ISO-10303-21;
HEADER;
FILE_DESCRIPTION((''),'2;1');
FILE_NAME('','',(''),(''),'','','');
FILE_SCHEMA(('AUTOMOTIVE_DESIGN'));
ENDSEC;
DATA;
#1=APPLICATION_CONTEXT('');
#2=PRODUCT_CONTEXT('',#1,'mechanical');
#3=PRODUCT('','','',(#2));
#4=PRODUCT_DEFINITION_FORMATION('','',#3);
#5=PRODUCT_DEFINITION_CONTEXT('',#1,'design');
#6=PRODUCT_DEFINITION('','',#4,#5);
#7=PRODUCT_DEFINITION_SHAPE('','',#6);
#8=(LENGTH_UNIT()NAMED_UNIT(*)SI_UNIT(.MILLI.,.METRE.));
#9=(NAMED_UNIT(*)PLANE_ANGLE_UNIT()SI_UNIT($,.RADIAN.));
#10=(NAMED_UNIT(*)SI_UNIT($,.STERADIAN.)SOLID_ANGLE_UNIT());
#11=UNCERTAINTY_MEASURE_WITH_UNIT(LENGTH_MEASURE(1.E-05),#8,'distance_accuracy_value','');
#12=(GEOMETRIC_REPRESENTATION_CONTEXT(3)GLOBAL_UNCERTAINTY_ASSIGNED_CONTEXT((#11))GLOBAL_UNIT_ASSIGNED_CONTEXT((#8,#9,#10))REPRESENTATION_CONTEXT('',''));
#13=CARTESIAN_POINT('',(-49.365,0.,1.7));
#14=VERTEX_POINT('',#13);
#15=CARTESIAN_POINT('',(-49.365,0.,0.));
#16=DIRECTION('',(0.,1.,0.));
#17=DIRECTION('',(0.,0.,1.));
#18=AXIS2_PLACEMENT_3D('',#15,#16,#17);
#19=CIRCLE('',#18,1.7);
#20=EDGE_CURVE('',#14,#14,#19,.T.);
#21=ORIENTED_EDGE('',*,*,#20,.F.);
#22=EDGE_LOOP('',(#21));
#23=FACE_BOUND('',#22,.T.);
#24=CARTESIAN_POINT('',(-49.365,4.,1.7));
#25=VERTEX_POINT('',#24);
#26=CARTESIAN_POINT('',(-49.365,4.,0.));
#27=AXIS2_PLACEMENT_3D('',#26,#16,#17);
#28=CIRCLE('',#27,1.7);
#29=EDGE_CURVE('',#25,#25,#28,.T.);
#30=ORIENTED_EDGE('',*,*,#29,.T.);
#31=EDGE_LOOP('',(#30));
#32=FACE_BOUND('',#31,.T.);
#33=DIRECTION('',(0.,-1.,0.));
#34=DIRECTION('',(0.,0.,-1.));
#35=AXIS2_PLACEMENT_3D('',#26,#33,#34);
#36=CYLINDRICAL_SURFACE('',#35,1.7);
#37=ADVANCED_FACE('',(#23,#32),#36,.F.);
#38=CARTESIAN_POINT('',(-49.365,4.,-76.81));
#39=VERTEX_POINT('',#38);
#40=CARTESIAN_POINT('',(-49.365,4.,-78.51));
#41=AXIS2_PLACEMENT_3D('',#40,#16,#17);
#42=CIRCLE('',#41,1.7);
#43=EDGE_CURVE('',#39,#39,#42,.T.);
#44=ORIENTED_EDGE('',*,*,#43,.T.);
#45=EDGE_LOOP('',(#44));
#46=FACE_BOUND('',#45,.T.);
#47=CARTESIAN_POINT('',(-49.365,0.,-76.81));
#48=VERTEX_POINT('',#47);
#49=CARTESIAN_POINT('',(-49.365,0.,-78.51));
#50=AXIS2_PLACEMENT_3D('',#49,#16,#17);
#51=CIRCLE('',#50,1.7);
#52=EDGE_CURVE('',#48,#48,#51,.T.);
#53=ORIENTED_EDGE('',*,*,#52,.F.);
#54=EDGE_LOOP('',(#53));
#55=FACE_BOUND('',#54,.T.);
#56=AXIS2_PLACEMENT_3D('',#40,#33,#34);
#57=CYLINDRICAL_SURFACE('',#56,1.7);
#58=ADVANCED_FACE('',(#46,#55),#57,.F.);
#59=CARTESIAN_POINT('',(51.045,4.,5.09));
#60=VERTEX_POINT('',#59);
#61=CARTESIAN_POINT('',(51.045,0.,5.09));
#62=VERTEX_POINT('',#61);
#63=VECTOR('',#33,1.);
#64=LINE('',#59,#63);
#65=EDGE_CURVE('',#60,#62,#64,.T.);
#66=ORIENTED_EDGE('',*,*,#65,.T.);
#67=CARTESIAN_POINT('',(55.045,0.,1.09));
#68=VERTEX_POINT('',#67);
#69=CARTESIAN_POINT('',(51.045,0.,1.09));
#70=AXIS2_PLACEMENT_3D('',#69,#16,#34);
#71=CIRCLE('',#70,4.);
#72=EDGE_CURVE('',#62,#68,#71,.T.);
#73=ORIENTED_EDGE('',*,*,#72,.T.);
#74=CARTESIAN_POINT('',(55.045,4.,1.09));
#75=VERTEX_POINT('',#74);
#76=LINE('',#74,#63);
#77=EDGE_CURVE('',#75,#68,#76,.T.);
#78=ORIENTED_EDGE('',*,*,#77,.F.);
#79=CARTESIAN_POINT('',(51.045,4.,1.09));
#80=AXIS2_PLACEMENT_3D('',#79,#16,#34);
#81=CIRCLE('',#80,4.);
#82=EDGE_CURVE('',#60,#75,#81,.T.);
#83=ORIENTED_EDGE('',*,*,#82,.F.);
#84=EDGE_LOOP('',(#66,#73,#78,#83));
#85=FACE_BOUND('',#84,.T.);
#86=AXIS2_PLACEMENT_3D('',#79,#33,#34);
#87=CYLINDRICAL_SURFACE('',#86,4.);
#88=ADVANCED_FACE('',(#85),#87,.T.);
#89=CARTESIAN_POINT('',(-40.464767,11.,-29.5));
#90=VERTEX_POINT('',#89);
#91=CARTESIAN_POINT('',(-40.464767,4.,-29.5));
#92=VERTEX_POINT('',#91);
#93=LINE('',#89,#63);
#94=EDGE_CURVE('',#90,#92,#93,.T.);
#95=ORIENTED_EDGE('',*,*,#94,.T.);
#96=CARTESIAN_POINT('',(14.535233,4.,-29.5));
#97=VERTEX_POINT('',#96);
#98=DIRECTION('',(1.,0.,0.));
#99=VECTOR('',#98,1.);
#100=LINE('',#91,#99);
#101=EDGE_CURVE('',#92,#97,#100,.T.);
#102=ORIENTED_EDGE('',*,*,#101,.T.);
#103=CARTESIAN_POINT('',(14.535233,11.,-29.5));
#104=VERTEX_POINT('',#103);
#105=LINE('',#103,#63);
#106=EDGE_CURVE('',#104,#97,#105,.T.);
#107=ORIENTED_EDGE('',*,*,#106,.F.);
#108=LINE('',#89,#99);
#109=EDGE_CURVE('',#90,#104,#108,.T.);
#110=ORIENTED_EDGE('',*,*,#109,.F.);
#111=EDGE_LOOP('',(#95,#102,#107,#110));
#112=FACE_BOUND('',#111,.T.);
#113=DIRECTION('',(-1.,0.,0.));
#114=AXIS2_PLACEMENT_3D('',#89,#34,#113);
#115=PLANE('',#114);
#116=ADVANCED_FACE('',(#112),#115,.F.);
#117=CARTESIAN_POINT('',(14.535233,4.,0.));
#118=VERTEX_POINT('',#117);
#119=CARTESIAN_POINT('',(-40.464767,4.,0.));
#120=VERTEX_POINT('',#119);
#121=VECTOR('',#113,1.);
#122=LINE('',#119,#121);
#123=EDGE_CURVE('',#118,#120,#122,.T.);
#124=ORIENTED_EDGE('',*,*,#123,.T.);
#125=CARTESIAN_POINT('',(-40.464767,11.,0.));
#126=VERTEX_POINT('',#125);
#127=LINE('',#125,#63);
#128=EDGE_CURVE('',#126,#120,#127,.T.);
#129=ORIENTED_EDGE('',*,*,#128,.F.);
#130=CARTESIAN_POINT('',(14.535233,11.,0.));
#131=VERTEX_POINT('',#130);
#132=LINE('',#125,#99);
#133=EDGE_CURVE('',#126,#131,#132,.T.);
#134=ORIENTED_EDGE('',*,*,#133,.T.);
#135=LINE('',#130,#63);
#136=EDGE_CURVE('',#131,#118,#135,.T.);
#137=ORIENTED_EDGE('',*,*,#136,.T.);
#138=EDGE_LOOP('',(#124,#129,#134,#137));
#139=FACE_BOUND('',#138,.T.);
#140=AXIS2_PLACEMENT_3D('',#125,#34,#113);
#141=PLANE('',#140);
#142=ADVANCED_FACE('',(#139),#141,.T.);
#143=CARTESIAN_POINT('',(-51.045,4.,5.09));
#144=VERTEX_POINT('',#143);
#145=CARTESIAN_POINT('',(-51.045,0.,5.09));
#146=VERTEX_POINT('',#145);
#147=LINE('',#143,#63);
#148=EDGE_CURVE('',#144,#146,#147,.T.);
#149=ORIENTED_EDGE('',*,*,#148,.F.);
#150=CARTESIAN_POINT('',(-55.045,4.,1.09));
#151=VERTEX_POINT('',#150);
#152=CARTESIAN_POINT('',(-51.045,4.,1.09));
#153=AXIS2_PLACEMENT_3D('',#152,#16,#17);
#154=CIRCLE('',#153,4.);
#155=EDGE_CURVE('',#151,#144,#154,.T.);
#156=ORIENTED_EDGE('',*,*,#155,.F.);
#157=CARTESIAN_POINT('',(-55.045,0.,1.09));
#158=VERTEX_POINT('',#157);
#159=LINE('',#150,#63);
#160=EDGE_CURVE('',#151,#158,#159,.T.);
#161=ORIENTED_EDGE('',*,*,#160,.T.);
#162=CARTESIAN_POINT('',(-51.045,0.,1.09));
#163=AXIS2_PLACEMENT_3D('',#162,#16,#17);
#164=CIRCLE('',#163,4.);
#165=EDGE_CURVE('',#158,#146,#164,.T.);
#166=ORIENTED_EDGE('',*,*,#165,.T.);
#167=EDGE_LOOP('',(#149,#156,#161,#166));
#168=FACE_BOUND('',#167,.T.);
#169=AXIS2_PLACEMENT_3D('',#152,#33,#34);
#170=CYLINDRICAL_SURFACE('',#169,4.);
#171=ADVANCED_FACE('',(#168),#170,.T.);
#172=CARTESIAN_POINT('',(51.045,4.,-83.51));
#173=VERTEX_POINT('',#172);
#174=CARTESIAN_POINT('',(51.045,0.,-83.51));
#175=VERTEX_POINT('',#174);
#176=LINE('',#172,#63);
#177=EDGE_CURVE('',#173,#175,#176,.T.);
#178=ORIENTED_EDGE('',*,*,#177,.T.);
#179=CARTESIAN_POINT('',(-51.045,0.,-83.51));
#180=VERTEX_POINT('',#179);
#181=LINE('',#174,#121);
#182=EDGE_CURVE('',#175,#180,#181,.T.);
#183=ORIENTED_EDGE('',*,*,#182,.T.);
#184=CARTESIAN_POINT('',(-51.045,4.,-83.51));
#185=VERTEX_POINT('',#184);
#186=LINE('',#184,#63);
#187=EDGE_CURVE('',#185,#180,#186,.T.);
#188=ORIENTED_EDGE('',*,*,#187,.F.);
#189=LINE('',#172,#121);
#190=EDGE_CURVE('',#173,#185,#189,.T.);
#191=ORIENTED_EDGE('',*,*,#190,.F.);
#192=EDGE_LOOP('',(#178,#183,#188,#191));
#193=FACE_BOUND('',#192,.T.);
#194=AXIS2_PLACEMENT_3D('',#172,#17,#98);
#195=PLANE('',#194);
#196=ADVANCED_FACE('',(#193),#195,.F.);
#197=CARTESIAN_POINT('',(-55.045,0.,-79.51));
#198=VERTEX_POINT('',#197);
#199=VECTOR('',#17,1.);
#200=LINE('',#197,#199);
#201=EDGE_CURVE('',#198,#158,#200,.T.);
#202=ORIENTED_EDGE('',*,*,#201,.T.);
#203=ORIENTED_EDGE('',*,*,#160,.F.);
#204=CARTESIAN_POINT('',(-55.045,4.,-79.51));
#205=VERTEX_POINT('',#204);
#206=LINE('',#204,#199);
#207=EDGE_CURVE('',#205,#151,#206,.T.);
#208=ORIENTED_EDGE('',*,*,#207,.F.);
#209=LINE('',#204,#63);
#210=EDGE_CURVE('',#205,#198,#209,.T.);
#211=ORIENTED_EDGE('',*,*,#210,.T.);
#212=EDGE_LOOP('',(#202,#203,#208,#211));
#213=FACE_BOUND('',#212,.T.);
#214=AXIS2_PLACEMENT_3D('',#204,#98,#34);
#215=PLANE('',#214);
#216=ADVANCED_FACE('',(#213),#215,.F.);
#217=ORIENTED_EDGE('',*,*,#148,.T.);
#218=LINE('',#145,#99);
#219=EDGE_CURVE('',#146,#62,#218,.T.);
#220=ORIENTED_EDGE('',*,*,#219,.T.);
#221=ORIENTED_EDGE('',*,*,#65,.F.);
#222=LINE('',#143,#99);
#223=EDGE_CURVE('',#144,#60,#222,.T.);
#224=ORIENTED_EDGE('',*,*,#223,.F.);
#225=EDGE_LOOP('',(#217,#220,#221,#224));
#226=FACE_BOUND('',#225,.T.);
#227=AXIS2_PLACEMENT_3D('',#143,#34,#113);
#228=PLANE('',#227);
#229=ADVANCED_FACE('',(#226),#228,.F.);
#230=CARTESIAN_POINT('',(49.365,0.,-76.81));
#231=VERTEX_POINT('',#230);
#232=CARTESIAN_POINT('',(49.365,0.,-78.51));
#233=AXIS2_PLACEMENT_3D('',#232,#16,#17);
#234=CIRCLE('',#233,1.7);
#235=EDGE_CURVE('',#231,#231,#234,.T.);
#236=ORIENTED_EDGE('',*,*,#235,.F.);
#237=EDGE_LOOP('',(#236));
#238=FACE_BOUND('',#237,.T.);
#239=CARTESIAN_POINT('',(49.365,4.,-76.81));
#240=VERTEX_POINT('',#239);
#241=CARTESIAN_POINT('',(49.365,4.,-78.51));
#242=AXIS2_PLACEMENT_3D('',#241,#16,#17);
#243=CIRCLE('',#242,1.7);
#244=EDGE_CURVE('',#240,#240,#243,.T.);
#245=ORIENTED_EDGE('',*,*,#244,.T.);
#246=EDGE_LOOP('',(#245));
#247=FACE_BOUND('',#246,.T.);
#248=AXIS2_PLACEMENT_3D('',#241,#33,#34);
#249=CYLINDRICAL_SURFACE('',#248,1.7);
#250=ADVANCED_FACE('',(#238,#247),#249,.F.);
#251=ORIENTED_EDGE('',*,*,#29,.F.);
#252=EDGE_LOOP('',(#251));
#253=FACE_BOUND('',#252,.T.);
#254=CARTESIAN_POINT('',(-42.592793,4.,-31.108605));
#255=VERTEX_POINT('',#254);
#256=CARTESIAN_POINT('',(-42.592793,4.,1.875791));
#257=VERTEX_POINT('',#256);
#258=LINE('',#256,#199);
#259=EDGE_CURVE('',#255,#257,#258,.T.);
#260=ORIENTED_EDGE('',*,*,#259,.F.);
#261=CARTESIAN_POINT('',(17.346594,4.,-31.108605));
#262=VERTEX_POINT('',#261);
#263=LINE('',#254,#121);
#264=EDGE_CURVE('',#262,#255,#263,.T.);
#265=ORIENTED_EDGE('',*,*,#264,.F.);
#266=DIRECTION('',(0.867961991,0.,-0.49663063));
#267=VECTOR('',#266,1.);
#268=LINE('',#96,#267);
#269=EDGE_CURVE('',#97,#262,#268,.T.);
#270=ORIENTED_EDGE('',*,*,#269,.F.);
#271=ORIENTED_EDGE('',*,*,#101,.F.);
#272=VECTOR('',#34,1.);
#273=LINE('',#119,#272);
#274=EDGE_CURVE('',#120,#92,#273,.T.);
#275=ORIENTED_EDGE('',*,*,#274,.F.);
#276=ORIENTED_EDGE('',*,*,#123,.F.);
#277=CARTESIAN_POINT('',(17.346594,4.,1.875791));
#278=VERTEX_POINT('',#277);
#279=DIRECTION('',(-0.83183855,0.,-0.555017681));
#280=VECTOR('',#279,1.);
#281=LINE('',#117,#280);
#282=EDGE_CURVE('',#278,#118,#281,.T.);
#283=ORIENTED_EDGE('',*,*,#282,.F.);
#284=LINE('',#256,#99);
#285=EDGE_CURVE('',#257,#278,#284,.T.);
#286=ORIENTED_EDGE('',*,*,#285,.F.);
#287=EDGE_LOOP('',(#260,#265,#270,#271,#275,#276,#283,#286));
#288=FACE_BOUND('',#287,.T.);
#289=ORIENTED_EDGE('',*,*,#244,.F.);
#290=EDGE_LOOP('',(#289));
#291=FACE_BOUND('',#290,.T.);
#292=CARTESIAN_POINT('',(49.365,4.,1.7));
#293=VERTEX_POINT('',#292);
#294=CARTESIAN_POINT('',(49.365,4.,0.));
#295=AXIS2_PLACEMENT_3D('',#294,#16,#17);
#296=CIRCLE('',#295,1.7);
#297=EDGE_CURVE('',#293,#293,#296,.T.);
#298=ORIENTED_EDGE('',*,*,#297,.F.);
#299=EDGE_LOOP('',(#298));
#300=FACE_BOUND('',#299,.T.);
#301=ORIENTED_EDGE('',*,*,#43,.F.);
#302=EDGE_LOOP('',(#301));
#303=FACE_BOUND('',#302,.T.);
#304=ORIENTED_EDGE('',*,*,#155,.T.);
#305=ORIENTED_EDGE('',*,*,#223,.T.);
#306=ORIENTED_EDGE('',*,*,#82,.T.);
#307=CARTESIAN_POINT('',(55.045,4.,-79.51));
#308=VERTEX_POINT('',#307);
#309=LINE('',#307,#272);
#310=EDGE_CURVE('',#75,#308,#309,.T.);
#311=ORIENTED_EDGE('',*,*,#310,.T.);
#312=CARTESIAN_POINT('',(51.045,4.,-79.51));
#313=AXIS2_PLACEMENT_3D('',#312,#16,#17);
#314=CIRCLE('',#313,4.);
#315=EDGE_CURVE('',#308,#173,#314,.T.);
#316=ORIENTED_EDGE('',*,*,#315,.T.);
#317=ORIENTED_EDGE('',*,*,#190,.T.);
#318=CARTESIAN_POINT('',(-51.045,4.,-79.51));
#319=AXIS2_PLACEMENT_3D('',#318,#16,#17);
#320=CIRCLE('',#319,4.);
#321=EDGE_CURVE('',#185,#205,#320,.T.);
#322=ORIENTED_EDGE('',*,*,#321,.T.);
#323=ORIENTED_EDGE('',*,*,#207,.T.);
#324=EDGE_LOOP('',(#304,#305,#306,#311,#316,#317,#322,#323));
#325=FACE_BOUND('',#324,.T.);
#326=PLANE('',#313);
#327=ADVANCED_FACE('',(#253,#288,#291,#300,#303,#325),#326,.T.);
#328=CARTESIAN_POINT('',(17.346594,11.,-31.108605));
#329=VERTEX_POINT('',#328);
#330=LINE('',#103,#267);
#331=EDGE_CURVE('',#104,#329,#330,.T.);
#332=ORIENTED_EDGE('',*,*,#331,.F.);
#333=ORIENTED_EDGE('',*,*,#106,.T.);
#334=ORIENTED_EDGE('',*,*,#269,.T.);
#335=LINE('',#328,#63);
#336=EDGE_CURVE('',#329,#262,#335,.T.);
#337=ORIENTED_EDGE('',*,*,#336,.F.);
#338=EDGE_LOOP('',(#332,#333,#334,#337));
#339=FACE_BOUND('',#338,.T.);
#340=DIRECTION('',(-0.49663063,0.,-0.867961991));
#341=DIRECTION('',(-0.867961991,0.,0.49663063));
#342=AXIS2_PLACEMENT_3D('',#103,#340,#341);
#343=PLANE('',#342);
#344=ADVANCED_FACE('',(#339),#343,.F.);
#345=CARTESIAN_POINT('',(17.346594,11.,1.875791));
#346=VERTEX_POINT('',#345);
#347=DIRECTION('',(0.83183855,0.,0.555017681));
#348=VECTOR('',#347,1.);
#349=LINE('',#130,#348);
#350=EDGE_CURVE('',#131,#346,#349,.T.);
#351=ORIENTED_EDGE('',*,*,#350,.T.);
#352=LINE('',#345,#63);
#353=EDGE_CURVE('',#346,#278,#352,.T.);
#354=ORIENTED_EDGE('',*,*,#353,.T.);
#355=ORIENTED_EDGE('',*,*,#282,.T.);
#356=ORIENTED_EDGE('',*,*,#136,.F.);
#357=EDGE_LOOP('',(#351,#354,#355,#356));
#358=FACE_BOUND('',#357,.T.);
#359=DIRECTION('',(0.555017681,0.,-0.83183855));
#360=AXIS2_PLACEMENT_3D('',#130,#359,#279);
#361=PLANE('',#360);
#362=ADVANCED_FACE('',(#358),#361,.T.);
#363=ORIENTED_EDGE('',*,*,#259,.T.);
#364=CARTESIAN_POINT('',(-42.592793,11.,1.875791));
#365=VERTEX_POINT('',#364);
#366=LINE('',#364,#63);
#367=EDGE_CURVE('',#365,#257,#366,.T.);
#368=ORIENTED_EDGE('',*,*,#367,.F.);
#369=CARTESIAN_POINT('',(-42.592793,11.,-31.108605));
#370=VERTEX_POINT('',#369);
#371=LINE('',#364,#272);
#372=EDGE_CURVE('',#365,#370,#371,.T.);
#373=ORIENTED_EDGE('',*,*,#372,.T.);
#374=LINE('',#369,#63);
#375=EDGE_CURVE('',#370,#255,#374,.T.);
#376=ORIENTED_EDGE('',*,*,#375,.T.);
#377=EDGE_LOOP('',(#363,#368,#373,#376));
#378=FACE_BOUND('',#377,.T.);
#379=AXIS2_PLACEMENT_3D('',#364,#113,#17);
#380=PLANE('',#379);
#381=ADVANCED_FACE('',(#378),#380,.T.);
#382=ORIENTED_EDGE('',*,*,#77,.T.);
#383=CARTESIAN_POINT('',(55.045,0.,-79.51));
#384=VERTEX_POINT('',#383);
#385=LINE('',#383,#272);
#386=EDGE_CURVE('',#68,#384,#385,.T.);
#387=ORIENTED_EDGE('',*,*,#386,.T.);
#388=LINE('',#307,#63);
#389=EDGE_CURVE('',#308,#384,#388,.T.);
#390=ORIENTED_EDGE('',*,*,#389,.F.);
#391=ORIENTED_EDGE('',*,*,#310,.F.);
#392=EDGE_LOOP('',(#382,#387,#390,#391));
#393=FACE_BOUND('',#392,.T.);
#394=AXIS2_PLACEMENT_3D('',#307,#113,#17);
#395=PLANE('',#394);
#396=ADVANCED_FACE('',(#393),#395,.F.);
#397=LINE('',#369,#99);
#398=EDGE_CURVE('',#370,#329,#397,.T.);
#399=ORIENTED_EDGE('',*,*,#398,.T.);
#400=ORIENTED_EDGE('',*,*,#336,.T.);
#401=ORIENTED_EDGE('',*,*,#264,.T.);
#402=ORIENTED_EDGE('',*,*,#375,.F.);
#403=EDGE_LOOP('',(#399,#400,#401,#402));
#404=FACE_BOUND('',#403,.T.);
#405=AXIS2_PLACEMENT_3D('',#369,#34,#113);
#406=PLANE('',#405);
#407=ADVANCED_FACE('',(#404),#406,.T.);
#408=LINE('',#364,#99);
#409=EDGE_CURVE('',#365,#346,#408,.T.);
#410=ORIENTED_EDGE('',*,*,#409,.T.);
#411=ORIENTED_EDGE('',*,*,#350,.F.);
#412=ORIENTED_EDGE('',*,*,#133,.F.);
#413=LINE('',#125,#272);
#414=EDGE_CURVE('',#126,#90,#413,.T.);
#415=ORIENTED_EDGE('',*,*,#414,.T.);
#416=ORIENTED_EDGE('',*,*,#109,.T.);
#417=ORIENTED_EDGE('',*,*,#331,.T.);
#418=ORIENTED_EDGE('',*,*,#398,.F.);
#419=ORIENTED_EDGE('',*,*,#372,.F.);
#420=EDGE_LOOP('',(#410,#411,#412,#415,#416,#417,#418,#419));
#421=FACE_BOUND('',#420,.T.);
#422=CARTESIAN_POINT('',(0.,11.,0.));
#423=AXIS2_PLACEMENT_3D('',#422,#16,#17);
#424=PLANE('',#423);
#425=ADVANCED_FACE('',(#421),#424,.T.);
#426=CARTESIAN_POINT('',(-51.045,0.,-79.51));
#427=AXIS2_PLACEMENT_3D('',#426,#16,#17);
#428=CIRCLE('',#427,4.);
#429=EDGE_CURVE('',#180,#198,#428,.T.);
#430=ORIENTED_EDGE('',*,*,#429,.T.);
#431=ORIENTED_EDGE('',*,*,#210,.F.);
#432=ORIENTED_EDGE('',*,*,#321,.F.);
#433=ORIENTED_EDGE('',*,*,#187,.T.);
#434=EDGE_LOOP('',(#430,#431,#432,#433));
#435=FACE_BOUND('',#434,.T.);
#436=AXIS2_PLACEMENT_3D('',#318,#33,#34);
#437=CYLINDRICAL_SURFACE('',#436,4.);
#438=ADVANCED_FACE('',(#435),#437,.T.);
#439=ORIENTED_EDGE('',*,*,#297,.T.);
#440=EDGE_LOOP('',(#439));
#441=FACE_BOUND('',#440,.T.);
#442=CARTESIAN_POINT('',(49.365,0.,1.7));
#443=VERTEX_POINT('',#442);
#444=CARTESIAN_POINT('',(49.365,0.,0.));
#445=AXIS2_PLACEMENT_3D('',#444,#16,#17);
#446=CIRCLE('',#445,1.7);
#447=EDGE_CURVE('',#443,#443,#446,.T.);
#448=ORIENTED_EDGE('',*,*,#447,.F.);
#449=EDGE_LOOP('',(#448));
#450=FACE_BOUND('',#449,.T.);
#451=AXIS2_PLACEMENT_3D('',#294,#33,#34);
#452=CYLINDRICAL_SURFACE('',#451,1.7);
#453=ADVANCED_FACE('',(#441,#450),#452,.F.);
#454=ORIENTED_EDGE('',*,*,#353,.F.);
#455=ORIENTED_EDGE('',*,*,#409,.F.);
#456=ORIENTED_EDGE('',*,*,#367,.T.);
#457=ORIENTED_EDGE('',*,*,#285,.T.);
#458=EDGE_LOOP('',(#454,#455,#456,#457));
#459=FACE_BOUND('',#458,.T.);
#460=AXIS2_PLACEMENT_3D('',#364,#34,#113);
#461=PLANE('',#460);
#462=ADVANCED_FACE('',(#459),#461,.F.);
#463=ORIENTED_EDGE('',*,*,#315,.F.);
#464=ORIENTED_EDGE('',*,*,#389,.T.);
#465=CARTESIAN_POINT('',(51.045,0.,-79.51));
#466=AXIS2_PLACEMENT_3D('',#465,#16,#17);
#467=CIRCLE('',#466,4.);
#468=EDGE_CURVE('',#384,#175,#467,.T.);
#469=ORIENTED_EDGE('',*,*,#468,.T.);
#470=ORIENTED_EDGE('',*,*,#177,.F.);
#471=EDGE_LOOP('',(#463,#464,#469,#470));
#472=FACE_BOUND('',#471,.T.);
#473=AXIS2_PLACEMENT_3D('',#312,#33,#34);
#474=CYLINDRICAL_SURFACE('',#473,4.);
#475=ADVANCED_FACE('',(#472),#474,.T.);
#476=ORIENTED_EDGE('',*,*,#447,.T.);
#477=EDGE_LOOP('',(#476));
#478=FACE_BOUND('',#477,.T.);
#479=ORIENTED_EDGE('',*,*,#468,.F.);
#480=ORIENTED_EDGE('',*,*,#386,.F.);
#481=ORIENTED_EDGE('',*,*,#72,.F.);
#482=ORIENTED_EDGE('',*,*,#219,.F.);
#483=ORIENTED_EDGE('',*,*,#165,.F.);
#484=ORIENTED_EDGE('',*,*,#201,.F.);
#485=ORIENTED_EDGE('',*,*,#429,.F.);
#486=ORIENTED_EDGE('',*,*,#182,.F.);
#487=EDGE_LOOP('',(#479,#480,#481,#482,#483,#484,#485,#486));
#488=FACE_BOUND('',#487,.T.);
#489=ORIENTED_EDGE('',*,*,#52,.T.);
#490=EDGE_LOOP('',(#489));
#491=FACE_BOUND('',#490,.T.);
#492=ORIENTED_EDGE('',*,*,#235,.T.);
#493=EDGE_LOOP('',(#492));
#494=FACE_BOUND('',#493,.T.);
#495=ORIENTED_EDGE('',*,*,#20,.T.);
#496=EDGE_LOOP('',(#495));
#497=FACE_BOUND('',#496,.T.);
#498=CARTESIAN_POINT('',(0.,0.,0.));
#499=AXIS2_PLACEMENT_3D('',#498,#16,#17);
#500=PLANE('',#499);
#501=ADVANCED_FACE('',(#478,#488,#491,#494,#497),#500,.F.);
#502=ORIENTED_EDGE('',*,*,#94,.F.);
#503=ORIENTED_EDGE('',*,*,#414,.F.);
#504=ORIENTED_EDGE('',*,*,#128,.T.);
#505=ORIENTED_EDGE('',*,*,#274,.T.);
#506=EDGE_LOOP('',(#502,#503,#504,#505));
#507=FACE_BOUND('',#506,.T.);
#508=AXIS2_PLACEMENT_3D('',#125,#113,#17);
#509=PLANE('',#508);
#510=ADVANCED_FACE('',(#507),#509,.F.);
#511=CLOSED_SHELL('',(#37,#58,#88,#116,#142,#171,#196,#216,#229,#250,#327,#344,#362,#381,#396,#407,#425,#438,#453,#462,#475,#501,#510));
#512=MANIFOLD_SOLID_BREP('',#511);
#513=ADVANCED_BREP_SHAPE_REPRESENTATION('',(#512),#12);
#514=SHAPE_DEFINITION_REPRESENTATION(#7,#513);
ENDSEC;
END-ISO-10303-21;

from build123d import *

# Parameters (mm, degrees)
BOSS_EXTRUDE1_DEPTH = 11
SKETCH1_3_R         = 1.7
BOSS_EXTRUDE2_DEPTH = 4


with BuildPart() as part:
    # Sketch1 → Boss-Extrude1 (new body)
    with BuildSketch(Plane(origin=(0, 0, 0), x_dir=(1, 0, 0), z_dir=(0, 1, 0))):
        Polygon((14.535232679, 29.5), (17.346594298, 31.108605337), (-42.592792902, 31.108605337), (-42.592792902, -1.87579117), (17.346594298, -1.87579117), (14.535232679, 0), (-40.464767321, 0), (-40.464767321, 29.5), align=None)
    extrude(amount=BOSS_EXTRUDE1_DEPTH)

    # Sketch1<3> → Boss-Extrude2 (add)
    with BuildSketch(Plane(origin=(0, 0, 0), x_dir=(1, 0, 0), z_dir=(0, 1, 0))):
        with BuildLine():
            Line((55.045, -1.09), (55.045, 79.51))
            ThreePointArc((55.045, 79.51), (53.873427125, 82.338427125), (51.045, 83.51))
            Line((51.045, 83.51), (-51.045, 83.51))
            ThreePointArc((-51.045, 83.51), (-53.873427125, 82.338427125), (-55.045, 79.51))
            Line((-55.045, 79.51), (-55.045, -1.09))
            ThreePointArc((-55.045, -1.09), (-53.873427125, -3.918427125), (-51.045, -5.09))
            Line((-51.045, -5.09), (51.045, -5.09))
            ThreePointArc((51.045, -5.09), (53.873427125, -3.918427125), (55.045, -1.09))
        make_face()
        with Locations((-49.365, 0)):
            Circle(SKETCH1_3_R, mode=Mode.SUBTRACT)
        Polygon((17.346594298, 31.108605337), (14.535232679, 29.5), (-40.464767321, 29.5), (-40.464767321, 0), (14.535232679, 0), (17.346594298, -1.87579117), (-42.592792902, -1.87579117), (-42.592792902, 31.108605337), align=None, mode=Mode.SUBTRACT)
        with Locations((49.365, 0)):
            Circle(SKETCH1_3_R, mode=Mode.SUBTRACT)
        with Locations((-49.365, 78.51)):
            Circle(SKETCH1_3_R, mode=Mode.SUBTRACT)
        with Locations((49.365, 78.51)):
            Circle(SKETCH1_3_R, mode=Mode.SUBTRACT)
    extrude(amount=BOSS_EXTRUDE2_DEPTH)


solid = part.part
